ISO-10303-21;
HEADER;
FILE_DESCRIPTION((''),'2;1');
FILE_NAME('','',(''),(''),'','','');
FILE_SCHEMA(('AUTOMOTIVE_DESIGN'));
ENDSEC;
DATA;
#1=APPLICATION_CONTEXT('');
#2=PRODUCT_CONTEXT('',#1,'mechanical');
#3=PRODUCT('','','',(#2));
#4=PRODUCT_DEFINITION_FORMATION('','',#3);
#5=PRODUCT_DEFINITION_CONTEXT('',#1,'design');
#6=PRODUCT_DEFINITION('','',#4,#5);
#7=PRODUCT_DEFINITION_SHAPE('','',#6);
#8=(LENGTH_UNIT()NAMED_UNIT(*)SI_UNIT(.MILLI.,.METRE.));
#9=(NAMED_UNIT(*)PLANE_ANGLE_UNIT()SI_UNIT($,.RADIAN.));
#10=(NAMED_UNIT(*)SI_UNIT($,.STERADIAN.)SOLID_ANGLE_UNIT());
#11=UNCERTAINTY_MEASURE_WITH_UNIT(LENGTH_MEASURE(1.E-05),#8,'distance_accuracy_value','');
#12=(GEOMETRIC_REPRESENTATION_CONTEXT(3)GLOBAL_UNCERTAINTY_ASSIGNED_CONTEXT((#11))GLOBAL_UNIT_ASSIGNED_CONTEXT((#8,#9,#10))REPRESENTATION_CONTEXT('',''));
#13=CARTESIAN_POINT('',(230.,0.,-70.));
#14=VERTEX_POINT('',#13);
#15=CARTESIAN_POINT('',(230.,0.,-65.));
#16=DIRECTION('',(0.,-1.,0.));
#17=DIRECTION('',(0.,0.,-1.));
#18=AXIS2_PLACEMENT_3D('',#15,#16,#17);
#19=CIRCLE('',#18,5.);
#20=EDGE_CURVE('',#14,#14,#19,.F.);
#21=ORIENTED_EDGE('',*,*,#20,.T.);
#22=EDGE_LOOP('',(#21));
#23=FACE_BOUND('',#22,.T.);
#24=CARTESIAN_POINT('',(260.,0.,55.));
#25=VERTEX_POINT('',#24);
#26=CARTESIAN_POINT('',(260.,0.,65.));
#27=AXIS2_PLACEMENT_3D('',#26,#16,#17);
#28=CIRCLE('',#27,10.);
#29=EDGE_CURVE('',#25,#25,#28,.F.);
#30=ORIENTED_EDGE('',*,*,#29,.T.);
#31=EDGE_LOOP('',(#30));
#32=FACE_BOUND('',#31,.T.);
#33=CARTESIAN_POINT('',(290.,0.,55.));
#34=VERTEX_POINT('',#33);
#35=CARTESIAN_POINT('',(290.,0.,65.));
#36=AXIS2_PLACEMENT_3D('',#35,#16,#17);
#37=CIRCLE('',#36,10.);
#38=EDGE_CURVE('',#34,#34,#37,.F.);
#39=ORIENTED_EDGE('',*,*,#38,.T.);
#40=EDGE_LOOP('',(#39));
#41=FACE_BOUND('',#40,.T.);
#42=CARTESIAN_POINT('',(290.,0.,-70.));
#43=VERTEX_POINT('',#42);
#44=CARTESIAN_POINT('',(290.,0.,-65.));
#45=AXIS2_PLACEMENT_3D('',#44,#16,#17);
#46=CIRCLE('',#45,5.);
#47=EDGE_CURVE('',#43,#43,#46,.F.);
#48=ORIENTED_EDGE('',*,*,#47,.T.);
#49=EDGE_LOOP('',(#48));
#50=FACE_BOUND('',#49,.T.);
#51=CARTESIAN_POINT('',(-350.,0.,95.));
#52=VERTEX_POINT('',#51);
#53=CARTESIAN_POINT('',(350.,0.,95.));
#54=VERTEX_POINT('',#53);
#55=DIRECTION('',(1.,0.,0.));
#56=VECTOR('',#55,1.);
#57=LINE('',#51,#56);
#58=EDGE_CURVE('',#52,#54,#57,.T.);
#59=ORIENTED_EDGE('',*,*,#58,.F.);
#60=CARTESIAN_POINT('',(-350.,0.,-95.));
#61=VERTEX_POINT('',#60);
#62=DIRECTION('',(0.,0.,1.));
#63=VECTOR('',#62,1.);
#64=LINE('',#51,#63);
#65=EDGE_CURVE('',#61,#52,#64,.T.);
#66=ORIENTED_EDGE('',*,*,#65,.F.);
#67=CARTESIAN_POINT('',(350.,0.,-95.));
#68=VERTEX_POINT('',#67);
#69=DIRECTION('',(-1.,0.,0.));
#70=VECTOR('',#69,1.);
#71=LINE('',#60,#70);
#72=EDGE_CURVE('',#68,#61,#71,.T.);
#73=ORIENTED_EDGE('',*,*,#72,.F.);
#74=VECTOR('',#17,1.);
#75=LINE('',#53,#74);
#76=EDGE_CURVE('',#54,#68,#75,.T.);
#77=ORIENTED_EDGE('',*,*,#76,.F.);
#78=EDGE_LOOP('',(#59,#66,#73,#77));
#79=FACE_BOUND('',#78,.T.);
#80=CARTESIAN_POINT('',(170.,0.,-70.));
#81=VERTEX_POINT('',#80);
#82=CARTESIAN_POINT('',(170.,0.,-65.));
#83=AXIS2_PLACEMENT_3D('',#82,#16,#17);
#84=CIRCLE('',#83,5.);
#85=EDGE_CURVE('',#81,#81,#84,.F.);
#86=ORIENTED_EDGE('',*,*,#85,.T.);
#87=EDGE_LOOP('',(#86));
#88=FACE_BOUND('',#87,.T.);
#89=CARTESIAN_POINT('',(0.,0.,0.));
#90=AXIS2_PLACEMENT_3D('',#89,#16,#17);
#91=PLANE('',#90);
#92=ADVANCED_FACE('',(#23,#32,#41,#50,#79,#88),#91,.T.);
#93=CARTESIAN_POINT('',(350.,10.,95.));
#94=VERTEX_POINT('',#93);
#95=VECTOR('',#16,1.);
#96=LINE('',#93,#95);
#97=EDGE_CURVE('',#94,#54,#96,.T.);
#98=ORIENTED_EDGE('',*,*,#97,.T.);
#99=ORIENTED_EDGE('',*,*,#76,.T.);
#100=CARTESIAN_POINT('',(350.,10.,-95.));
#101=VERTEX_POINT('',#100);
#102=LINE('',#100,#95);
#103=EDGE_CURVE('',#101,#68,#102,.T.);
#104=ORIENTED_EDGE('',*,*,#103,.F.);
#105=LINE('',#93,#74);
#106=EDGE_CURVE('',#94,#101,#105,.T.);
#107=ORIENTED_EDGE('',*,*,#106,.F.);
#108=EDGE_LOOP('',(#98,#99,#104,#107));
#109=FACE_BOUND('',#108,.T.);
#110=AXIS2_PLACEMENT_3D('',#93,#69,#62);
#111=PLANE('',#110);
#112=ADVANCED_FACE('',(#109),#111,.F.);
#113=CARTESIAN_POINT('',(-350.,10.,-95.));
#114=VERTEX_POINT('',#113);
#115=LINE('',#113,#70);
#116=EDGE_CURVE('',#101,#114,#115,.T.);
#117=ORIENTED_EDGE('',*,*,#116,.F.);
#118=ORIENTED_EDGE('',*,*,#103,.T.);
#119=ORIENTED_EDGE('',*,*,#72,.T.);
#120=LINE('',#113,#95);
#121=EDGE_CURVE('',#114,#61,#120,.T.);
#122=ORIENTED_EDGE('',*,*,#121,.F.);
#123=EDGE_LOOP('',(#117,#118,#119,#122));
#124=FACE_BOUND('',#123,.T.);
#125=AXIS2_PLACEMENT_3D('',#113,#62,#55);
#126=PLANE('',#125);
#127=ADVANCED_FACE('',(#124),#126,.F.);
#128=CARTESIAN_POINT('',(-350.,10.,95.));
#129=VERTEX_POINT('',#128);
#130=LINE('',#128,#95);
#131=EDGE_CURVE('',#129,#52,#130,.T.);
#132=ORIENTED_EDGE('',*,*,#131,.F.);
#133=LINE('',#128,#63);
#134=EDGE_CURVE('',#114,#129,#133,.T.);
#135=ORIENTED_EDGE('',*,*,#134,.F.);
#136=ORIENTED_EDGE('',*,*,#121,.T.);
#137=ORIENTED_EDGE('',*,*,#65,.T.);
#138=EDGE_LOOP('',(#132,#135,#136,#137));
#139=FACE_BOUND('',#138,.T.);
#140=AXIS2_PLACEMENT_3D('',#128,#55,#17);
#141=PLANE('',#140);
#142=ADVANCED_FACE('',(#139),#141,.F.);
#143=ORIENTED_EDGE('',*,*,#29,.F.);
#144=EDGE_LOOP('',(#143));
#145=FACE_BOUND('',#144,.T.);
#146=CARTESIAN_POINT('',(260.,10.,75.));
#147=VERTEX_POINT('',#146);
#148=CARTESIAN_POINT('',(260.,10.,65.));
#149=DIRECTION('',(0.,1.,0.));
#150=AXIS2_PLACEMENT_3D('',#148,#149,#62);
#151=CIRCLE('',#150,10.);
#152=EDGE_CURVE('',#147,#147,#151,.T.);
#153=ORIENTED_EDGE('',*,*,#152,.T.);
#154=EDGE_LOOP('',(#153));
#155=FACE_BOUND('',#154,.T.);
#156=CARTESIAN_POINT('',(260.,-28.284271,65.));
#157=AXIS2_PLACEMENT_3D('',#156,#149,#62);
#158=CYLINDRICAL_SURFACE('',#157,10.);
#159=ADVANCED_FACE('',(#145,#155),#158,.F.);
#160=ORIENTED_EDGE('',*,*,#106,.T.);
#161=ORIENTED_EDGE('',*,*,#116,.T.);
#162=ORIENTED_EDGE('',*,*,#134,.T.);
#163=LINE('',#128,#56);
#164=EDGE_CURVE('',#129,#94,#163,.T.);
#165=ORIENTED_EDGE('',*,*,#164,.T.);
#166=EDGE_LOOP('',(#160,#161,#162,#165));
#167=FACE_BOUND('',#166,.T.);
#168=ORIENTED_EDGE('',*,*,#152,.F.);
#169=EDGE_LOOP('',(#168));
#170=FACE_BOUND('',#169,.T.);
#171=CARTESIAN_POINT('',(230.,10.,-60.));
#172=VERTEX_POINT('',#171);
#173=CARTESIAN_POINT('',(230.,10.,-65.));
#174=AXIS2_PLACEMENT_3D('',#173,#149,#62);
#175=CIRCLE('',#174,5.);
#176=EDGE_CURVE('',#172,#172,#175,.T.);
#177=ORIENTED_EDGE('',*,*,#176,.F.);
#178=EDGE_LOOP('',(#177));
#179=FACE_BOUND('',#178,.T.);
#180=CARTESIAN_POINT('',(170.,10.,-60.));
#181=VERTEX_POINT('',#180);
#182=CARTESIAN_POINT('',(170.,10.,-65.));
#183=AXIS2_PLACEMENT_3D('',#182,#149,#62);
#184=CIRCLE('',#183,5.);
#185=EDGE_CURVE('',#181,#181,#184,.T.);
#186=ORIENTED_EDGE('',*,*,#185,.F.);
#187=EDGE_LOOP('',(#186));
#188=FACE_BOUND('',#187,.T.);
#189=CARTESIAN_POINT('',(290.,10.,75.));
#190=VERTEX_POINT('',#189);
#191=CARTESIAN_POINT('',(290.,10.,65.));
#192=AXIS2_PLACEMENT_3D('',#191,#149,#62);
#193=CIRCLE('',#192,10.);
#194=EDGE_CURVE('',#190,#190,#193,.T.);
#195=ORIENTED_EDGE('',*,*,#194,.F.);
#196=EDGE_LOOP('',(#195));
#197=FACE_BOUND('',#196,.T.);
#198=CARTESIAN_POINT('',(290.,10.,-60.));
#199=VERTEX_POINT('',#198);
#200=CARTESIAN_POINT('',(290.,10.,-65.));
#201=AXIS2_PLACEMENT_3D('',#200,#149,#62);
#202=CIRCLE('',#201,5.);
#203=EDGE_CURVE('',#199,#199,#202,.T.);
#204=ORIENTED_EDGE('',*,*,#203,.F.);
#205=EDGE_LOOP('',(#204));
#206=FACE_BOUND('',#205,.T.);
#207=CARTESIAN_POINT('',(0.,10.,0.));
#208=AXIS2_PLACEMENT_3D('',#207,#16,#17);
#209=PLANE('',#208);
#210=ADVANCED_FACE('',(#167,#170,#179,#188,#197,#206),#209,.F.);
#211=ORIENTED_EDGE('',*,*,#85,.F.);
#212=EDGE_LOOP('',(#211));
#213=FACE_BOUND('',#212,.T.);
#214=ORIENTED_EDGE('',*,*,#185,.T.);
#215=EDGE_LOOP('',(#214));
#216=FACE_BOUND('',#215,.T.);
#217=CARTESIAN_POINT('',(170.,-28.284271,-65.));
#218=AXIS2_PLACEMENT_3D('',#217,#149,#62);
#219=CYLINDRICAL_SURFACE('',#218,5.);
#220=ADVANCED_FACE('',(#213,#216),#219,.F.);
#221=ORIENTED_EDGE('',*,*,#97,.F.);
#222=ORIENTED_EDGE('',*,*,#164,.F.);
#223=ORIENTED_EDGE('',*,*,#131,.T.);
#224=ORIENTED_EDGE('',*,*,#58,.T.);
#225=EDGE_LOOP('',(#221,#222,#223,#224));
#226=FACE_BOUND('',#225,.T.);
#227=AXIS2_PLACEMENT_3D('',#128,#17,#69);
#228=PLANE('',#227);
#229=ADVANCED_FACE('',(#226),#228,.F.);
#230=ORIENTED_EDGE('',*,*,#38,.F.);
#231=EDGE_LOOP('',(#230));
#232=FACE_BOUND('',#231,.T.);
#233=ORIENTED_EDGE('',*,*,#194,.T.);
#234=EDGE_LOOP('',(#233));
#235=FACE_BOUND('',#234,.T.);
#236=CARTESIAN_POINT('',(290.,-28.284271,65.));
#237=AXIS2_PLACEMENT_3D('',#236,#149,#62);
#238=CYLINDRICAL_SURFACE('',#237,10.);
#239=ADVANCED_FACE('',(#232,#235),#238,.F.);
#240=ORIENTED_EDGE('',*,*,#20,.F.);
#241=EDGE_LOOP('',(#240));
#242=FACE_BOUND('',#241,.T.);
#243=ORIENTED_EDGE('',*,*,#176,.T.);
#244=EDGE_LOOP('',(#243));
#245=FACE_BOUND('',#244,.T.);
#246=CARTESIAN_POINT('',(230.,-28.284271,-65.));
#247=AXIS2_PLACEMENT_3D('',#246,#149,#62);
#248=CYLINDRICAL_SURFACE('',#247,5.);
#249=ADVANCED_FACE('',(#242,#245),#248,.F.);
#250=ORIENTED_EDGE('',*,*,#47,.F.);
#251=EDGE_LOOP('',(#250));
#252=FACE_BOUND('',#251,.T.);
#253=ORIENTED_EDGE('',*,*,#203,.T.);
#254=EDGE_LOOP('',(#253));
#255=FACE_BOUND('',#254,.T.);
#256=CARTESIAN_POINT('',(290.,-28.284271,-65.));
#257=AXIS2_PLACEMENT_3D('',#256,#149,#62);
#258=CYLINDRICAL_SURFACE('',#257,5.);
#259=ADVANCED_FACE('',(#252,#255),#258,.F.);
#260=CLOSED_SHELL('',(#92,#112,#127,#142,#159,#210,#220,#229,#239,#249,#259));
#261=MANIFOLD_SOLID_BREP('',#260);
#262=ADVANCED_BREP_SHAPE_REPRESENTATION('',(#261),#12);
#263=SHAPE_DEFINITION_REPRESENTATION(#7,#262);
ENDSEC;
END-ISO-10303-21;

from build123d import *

# Parameters (mm, degrees)
CROQUIS1_W              = 700
CROQUIS1_H              = 190
SALIENTE_EXTRUIR1_DEPTH = 10
CROQUIS2_R              = 5
CROQUIS2_R_2            = 10
CORTAR_EXTRUIR1_DEPTH   = 10


with BuildPart() as part:
    # Croquis1 → Saliente-Extruir1 (new body)
    with BuildSketch(Plane(origin=(0, 0, 0), x_dir=(1, 0, 0), z_dir=(0, 1, 0))):
        Rectangle(CROQUIS1_W, CROQUIS1_H)
    extrude(amount=SALIENTE_EXTRUIR1_DEPTH)

    # Croquis2 → Cortar-Extruir1 (cut)
    with BuildSketch(Plane(origin=(0, 10, 0), x_dir=(1, 0, 0), z_dir=(0, 1, 0))):
        with Locations(Location((290, 65, 0), (0, 0, 270))):
            Circle(CROQUIS2_R)
        with Locations(Location((230, 65, 0), (0, 0, 270))):
            Circle(CROQUIS2_R)
        with Locations(Location((170, 65, 0), (0, 0, 270))):
            Circle(CROQUIS2_R)
        with Locations(Location((290, -65, 0), (0, 0, 270))):
            Circle(CROQUIS2_R_2)
        with Locations(Location((260, -65, 0), (0, 0, 270))):
            Circle(CROQUIS2_R_2)
    extrude(amount=-CORTAR_EXTRUIR1_DEPTH, mode=Mode.SUBTRACT)


solid = part.part
